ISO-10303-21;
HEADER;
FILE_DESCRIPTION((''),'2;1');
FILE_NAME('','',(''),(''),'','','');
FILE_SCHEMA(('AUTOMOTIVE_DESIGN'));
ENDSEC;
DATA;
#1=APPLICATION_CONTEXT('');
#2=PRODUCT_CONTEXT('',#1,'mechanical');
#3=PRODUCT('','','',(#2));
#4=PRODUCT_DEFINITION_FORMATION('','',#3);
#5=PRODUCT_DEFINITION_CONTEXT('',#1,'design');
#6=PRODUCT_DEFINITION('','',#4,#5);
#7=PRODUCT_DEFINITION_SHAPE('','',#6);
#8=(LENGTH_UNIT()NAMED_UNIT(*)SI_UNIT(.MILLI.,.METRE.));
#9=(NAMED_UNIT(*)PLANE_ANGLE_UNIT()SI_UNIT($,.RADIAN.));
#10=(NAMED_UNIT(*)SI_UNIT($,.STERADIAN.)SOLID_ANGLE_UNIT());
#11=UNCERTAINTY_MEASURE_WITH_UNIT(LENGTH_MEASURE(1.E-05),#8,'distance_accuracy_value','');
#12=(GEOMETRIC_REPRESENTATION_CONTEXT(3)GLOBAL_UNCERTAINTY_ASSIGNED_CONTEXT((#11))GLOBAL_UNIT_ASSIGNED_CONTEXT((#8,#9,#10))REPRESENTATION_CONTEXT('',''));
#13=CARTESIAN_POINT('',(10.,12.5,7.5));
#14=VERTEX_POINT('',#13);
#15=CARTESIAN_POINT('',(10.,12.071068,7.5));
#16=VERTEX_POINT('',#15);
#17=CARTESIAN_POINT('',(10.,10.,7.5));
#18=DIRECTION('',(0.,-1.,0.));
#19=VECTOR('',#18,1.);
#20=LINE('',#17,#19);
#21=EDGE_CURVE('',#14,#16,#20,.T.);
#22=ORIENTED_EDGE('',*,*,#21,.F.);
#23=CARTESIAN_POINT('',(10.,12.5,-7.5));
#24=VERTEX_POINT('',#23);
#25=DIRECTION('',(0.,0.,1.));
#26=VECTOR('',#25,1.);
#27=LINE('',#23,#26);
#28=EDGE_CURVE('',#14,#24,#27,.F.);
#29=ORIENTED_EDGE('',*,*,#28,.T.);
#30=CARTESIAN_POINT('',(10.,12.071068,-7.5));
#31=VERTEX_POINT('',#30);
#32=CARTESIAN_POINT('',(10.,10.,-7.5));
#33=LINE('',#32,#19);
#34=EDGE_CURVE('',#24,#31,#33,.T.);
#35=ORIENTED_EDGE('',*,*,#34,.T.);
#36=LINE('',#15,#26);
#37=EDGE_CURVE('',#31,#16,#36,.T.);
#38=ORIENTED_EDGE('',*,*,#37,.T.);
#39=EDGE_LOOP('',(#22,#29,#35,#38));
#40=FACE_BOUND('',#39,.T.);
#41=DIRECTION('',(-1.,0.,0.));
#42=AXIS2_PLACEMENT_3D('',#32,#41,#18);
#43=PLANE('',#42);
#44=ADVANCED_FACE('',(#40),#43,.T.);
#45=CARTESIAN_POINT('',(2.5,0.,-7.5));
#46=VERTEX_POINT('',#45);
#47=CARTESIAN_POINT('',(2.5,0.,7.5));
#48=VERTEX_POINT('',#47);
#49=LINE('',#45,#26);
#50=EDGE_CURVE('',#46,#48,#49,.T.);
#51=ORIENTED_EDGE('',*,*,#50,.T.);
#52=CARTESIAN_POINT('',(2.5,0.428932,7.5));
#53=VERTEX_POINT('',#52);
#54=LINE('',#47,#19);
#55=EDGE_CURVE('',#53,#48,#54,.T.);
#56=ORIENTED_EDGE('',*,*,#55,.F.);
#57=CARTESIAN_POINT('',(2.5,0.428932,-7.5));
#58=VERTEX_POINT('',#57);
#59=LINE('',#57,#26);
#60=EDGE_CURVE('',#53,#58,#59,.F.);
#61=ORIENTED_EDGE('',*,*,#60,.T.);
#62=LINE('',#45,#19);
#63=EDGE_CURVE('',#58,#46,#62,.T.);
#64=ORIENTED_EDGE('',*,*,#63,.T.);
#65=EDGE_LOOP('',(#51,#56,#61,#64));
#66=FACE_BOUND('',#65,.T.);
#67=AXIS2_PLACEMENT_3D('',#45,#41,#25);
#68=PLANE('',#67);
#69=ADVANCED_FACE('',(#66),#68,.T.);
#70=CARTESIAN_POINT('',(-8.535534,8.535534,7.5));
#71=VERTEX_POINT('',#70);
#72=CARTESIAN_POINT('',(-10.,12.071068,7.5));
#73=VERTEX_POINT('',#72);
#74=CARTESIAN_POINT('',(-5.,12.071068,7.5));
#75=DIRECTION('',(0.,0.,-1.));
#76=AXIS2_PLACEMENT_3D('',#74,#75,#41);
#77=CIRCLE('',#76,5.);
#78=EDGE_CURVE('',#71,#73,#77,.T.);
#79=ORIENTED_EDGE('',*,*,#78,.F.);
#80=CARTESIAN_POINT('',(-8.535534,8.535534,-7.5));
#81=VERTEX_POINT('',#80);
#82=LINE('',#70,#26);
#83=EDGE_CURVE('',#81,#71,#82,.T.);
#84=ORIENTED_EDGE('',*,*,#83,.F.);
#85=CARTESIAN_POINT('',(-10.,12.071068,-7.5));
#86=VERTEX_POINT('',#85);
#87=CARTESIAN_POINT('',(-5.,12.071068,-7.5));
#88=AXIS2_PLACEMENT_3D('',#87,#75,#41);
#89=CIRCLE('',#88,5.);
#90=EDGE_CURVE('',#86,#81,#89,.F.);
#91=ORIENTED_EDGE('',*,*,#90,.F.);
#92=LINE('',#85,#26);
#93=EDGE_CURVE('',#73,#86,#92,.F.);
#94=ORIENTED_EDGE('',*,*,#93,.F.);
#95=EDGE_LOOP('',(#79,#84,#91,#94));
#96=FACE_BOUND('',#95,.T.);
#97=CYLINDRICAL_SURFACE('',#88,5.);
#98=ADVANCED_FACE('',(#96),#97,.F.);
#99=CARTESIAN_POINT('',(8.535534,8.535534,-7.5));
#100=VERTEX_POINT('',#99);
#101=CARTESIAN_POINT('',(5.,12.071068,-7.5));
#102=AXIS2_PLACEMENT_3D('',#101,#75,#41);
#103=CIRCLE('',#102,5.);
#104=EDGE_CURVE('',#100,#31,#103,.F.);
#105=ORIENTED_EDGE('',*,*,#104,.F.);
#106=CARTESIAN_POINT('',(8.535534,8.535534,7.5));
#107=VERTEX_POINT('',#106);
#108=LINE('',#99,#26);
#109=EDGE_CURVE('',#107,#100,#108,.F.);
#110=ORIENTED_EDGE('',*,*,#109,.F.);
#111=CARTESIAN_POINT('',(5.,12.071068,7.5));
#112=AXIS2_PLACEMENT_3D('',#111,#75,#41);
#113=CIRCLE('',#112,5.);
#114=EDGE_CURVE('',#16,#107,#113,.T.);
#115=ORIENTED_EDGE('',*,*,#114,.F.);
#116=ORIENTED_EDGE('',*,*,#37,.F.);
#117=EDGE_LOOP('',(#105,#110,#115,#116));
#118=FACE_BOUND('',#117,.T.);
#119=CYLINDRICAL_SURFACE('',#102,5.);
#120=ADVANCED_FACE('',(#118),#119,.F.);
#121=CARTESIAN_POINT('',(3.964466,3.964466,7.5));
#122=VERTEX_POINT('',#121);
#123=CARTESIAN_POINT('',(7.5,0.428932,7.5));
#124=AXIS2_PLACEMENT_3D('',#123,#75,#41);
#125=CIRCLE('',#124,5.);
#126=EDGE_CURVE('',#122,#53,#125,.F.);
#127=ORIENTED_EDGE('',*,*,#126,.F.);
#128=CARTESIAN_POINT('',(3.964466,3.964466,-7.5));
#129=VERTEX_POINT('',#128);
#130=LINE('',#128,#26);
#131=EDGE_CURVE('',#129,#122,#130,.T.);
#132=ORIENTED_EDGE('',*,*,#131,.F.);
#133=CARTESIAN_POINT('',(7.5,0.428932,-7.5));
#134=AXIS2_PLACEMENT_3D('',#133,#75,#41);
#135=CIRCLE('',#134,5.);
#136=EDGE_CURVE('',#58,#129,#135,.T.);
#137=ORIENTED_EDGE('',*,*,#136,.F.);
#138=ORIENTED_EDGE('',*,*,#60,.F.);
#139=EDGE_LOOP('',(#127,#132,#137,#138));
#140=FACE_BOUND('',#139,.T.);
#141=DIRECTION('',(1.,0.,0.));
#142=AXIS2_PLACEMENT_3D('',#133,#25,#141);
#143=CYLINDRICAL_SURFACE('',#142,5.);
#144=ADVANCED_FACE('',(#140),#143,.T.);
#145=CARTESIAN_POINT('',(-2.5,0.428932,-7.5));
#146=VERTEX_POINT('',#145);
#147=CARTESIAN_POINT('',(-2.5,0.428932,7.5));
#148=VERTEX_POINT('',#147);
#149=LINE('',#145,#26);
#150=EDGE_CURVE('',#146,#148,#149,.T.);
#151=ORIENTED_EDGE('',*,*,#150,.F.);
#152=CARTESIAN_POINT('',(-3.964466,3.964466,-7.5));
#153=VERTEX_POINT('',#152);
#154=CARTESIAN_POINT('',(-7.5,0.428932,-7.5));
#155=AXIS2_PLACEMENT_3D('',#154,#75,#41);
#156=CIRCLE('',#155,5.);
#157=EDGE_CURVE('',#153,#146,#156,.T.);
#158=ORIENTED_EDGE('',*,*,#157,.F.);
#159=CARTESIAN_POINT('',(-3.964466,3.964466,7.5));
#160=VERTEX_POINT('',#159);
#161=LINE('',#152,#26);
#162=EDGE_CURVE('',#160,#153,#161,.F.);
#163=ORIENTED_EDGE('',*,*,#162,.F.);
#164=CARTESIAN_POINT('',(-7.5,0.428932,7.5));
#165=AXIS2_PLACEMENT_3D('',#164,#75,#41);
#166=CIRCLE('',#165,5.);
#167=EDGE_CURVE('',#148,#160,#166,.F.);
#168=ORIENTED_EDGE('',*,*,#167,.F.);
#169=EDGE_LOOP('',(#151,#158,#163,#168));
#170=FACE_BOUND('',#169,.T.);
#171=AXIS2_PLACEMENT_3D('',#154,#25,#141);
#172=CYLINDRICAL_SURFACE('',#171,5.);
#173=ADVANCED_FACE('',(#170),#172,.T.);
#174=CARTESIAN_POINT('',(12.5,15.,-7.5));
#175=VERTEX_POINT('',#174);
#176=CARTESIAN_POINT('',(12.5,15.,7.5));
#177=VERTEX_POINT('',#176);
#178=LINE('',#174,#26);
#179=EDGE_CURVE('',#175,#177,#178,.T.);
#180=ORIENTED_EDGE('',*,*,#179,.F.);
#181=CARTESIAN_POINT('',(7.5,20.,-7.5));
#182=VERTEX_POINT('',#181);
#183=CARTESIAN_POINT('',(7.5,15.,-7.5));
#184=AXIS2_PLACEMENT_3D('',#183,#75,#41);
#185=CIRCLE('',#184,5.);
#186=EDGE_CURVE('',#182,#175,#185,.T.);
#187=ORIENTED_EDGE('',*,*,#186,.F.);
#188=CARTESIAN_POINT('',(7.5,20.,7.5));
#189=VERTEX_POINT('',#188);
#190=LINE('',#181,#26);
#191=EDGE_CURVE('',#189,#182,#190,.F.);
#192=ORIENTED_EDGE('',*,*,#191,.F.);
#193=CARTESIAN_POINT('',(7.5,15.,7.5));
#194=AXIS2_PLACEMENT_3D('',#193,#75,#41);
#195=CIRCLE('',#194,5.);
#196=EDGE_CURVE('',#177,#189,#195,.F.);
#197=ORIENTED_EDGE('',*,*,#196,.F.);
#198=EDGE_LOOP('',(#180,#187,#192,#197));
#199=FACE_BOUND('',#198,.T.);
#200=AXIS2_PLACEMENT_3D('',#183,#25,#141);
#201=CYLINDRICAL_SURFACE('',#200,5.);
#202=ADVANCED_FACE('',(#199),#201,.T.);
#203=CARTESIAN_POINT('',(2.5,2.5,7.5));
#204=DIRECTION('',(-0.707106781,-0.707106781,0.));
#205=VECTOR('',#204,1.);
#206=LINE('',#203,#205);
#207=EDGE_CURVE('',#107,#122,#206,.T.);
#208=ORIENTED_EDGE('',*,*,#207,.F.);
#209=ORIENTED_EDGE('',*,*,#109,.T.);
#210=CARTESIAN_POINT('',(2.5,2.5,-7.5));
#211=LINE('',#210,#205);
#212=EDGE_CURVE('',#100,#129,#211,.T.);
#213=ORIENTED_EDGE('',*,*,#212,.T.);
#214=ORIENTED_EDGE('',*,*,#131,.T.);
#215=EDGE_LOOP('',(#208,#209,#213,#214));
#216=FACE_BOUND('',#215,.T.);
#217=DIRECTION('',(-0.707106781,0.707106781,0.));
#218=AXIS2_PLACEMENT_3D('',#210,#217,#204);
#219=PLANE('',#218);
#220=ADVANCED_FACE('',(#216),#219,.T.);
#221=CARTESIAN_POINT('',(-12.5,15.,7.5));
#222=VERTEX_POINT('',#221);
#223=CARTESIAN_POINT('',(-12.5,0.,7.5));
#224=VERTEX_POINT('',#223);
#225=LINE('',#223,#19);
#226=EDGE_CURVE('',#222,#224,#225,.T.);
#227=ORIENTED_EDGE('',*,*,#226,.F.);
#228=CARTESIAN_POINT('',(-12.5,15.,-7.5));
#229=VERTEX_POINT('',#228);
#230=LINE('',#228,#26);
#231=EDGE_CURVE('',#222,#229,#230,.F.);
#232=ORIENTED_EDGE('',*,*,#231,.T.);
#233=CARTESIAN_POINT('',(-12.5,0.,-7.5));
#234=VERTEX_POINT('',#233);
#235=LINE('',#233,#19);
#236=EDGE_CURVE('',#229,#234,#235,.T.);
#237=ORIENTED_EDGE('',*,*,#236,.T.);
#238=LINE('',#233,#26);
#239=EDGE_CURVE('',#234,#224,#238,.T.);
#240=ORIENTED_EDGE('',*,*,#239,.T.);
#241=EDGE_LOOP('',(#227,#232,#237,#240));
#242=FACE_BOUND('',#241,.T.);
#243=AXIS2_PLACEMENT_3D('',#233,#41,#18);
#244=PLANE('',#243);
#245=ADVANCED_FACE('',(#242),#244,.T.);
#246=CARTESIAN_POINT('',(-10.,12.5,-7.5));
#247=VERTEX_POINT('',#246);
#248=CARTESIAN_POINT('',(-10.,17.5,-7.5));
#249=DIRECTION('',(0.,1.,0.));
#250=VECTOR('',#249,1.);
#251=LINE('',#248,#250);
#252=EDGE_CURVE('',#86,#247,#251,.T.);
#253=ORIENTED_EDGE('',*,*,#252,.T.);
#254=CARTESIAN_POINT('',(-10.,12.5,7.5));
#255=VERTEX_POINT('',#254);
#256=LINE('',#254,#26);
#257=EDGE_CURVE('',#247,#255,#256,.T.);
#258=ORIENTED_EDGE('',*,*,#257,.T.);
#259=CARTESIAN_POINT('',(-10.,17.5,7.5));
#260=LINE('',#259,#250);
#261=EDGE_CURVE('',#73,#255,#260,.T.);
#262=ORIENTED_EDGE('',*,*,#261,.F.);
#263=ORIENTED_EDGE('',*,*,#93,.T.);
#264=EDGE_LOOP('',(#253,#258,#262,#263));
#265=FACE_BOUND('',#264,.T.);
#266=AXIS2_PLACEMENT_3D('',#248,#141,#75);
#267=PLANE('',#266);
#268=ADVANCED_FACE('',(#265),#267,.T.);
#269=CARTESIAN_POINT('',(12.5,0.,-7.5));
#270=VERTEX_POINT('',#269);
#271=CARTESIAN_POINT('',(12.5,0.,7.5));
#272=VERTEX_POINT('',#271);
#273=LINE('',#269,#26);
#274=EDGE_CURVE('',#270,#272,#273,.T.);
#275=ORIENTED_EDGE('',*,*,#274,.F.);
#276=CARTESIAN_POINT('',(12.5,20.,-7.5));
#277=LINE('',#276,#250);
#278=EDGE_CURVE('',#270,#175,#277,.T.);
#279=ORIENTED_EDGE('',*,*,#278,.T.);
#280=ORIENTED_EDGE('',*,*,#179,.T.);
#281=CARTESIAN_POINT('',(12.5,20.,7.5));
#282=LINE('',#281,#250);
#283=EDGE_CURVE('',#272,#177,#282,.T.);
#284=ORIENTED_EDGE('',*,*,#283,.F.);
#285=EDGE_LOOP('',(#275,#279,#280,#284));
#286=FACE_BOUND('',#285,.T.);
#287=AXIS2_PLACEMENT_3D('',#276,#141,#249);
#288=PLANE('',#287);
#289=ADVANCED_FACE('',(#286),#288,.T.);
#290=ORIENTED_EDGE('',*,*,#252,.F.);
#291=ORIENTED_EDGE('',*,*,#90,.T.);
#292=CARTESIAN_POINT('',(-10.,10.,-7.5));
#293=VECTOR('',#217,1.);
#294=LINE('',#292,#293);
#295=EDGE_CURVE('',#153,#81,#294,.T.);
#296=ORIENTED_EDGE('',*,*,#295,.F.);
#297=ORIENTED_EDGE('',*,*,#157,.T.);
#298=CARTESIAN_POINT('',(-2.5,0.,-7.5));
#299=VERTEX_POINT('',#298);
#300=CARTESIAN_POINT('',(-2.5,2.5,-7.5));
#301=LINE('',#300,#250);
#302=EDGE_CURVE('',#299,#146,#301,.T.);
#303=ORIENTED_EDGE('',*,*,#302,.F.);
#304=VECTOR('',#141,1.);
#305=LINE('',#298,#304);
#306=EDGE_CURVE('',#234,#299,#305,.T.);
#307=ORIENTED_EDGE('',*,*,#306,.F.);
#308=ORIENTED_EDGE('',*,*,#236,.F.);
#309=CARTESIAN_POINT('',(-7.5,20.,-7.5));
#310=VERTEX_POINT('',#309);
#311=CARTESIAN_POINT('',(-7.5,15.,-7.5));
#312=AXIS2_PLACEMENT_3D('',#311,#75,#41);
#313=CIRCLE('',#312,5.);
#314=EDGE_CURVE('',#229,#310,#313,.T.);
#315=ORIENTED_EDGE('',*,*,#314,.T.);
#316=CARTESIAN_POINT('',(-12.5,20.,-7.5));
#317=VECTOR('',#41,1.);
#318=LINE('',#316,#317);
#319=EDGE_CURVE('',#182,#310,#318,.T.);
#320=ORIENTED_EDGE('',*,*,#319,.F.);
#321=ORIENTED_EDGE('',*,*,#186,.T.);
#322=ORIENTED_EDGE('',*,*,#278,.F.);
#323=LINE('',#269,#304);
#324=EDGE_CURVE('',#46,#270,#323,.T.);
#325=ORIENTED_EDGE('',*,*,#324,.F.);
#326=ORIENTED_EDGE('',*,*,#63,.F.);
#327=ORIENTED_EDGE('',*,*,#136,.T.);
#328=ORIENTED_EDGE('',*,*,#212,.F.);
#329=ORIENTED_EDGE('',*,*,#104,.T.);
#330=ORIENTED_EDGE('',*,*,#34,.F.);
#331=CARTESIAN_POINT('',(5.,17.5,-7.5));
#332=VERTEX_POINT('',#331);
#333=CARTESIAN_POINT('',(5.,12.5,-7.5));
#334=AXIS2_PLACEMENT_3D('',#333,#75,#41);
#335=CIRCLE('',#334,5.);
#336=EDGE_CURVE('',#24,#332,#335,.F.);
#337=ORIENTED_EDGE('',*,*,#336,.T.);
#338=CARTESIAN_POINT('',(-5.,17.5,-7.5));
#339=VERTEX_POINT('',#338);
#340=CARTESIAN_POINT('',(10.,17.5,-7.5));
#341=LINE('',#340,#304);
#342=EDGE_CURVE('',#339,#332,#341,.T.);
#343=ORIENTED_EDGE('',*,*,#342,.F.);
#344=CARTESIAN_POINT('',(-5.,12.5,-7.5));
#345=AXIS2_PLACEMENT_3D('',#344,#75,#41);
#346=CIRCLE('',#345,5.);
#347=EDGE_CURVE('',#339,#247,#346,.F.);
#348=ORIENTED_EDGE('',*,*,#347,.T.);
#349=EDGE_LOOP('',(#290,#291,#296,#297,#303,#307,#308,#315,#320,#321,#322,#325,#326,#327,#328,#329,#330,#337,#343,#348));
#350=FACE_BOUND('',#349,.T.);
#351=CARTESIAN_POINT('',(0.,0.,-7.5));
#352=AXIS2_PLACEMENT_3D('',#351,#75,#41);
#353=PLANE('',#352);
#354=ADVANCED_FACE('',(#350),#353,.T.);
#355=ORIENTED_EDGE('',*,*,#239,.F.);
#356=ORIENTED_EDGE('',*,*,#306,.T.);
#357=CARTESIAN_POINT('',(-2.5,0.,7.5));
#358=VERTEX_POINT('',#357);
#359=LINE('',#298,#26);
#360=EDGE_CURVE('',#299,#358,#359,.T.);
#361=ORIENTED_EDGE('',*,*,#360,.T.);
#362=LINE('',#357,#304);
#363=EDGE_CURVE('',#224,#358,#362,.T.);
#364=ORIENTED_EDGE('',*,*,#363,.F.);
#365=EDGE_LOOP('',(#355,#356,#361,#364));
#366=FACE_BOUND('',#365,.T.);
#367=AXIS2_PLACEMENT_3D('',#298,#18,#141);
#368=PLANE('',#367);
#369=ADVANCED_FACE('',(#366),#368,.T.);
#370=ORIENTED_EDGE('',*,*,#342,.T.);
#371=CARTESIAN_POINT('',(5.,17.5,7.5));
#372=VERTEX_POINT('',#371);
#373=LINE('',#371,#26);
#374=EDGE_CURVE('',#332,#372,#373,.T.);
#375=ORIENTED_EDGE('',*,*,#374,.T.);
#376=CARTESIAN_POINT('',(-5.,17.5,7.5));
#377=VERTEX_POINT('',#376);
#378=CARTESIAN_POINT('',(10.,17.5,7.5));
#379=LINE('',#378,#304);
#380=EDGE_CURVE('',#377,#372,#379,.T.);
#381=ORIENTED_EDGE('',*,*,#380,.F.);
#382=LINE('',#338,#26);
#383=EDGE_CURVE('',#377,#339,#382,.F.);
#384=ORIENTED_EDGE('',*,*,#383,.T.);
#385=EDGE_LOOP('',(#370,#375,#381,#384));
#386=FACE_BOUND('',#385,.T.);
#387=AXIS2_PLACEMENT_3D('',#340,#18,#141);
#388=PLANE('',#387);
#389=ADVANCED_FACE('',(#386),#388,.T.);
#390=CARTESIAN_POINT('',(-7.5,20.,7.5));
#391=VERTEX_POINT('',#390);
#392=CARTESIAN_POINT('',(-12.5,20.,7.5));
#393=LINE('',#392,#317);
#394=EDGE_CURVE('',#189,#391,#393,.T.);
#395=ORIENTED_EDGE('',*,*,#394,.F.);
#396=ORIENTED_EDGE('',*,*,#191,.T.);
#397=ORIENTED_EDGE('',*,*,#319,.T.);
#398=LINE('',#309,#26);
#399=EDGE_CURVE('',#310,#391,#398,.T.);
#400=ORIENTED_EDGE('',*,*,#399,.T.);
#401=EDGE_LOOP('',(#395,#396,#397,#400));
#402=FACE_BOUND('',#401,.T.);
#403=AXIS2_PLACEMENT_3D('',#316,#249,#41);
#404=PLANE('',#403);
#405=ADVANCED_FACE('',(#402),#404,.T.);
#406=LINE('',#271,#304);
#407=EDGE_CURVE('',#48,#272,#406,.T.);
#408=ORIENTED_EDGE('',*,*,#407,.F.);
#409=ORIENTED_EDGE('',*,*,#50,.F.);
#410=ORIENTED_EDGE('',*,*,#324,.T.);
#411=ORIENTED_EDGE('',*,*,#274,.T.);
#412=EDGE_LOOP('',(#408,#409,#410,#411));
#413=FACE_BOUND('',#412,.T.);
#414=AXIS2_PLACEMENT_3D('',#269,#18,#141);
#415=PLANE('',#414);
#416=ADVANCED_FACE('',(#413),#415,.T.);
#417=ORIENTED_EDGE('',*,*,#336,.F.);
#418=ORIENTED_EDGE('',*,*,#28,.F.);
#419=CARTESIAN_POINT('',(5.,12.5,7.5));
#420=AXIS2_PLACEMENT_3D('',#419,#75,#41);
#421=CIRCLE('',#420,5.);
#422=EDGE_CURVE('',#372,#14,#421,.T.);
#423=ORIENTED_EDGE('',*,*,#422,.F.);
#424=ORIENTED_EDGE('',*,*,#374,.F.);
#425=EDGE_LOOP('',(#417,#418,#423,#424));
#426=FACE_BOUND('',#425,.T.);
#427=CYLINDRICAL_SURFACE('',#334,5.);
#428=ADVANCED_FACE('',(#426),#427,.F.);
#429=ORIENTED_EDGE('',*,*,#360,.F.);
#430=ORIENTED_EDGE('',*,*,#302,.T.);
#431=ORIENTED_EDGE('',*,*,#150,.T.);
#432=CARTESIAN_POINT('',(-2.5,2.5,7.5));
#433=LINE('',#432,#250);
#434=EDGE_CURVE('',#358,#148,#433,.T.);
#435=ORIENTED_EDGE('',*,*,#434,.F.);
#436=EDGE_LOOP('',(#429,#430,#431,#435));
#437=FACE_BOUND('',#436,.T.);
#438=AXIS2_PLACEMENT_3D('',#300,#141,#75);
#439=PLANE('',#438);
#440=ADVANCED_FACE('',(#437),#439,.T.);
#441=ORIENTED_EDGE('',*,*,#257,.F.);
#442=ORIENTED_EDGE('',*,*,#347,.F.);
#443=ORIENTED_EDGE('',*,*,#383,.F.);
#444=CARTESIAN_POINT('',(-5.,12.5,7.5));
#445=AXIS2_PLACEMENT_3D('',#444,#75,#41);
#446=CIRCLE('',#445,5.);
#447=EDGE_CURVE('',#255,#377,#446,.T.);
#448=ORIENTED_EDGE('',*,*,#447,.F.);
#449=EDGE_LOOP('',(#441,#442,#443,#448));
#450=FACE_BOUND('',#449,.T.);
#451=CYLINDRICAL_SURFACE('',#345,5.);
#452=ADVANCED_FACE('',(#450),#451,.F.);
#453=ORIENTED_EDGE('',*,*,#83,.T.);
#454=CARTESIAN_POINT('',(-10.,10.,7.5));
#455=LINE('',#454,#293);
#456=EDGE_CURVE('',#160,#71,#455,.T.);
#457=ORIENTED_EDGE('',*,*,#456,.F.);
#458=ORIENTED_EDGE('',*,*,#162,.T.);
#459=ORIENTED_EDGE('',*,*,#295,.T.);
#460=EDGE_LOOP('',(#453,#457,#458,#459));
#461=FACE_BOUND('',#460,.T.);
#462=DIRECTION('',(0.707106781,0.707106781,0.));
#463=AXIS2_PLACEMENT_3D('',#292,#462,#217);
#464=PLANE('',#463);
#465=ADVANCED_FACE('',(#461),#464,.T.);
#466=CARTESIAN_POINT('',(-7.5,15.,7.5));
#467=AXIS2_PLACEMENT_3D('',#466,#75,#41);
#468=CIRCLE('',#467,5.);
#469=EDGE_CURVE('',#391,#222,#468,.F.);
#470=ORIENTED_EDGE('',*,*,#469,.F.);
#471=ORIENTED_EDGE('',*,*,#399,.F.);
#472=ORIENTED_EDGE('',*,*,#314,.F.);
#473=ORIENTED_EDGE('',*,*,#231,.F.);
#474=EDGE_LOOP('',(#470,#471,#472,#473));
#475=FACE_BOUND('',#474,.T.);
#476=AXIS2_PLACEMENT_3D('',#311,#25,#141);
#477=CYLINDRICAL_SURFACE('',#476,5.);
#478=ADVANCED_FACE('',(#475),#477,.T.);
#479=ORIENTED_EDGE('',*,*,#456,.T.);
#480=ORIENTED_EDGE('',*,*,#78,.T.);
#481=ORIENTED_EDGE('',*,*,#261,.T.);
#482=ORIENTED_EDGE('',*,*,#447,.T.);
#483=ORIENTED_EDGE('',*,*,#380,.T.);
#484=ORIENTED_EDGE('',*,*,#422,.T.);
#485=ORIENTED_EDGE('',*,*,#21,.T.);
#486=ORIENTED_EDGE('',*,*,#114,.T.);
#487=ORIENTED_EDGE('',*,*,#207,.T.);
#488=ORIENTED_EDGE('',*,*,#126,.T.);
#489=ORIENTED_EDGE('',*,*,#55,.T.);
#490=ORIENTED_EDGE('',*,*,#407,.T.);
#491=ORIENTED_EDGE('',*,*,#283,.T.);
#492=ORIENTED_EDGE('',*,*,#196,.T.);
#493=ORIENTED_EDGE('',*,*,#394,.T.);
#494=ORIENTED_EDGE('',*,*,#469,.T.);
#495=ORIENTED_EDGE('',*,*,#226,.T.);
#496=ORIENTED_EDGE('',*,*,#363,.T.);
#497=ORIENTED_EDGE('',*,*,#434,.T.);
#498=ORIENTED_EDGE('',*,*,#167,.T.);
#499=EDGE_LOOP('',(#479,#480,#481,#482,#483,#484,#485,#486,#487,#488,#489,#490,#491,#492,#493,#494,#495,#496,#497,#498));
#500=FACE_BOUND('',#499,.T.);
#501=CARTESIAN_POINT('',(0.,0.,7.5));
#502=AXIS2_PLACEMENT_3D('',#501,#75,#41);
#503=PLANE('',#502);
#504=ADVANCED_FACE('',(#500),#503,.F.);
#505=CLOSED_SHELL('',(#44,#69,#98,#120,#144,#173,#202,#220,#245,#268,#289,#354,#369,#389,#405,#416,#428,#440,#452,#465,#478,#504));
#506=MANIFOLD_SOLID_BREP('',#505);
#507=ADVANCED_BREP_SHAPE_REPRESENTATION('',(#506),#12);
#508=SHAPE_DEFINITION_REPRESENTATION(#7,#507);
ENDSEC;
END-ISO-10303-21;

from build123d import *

# Parameters (mm, degrees)
BOSS_EXTRUDE1_DEPTH      = 7.5
BOSS_EXTRUDE1_DEPTH_BACK = 7.5
FILLET1_R                = 5


with BuildPart() as part:
    # Sketch1 → Boss-Extrude1 (new, two sides: drawn at the far end of the back side and taken through both)
    with BuildSketch(Plane.XY.offset(-BOSS_EXTRUDE1_DEPTH_BACK)):
        Polygon((-12.5, 20), (12.5, 20), (12.5, 0), (2.5, 0), (2.5, 2.5), (10, 10), (10, 17.5), (-10, 17.5), (-10, 10), (-2.5, 2.5), (-2.5, 0), (-12.5, 0), align=None)
    extrude(amount=BOSS_EXTRUDE1_DEPTH + BOSS_EXTRUDE1_DEPTH_BACK)

    # Fillet1
    fillet1_edges = [part.edges().sort_by_distance(p)[0] for p in [
        (-12.5, 20, 0),
        (12.5, 20, 0),
        (2.5, 2.5, 0),
        (10, 10, 0),
        (10, 17.5, 0),
        (-10, 17.5, 0),
        (-10, 10, 0),
        (-2.5, 2.5, 0),
    ]]
    fillet(fillet1_edges, radius=FILLET1_R)


solid = part.part
